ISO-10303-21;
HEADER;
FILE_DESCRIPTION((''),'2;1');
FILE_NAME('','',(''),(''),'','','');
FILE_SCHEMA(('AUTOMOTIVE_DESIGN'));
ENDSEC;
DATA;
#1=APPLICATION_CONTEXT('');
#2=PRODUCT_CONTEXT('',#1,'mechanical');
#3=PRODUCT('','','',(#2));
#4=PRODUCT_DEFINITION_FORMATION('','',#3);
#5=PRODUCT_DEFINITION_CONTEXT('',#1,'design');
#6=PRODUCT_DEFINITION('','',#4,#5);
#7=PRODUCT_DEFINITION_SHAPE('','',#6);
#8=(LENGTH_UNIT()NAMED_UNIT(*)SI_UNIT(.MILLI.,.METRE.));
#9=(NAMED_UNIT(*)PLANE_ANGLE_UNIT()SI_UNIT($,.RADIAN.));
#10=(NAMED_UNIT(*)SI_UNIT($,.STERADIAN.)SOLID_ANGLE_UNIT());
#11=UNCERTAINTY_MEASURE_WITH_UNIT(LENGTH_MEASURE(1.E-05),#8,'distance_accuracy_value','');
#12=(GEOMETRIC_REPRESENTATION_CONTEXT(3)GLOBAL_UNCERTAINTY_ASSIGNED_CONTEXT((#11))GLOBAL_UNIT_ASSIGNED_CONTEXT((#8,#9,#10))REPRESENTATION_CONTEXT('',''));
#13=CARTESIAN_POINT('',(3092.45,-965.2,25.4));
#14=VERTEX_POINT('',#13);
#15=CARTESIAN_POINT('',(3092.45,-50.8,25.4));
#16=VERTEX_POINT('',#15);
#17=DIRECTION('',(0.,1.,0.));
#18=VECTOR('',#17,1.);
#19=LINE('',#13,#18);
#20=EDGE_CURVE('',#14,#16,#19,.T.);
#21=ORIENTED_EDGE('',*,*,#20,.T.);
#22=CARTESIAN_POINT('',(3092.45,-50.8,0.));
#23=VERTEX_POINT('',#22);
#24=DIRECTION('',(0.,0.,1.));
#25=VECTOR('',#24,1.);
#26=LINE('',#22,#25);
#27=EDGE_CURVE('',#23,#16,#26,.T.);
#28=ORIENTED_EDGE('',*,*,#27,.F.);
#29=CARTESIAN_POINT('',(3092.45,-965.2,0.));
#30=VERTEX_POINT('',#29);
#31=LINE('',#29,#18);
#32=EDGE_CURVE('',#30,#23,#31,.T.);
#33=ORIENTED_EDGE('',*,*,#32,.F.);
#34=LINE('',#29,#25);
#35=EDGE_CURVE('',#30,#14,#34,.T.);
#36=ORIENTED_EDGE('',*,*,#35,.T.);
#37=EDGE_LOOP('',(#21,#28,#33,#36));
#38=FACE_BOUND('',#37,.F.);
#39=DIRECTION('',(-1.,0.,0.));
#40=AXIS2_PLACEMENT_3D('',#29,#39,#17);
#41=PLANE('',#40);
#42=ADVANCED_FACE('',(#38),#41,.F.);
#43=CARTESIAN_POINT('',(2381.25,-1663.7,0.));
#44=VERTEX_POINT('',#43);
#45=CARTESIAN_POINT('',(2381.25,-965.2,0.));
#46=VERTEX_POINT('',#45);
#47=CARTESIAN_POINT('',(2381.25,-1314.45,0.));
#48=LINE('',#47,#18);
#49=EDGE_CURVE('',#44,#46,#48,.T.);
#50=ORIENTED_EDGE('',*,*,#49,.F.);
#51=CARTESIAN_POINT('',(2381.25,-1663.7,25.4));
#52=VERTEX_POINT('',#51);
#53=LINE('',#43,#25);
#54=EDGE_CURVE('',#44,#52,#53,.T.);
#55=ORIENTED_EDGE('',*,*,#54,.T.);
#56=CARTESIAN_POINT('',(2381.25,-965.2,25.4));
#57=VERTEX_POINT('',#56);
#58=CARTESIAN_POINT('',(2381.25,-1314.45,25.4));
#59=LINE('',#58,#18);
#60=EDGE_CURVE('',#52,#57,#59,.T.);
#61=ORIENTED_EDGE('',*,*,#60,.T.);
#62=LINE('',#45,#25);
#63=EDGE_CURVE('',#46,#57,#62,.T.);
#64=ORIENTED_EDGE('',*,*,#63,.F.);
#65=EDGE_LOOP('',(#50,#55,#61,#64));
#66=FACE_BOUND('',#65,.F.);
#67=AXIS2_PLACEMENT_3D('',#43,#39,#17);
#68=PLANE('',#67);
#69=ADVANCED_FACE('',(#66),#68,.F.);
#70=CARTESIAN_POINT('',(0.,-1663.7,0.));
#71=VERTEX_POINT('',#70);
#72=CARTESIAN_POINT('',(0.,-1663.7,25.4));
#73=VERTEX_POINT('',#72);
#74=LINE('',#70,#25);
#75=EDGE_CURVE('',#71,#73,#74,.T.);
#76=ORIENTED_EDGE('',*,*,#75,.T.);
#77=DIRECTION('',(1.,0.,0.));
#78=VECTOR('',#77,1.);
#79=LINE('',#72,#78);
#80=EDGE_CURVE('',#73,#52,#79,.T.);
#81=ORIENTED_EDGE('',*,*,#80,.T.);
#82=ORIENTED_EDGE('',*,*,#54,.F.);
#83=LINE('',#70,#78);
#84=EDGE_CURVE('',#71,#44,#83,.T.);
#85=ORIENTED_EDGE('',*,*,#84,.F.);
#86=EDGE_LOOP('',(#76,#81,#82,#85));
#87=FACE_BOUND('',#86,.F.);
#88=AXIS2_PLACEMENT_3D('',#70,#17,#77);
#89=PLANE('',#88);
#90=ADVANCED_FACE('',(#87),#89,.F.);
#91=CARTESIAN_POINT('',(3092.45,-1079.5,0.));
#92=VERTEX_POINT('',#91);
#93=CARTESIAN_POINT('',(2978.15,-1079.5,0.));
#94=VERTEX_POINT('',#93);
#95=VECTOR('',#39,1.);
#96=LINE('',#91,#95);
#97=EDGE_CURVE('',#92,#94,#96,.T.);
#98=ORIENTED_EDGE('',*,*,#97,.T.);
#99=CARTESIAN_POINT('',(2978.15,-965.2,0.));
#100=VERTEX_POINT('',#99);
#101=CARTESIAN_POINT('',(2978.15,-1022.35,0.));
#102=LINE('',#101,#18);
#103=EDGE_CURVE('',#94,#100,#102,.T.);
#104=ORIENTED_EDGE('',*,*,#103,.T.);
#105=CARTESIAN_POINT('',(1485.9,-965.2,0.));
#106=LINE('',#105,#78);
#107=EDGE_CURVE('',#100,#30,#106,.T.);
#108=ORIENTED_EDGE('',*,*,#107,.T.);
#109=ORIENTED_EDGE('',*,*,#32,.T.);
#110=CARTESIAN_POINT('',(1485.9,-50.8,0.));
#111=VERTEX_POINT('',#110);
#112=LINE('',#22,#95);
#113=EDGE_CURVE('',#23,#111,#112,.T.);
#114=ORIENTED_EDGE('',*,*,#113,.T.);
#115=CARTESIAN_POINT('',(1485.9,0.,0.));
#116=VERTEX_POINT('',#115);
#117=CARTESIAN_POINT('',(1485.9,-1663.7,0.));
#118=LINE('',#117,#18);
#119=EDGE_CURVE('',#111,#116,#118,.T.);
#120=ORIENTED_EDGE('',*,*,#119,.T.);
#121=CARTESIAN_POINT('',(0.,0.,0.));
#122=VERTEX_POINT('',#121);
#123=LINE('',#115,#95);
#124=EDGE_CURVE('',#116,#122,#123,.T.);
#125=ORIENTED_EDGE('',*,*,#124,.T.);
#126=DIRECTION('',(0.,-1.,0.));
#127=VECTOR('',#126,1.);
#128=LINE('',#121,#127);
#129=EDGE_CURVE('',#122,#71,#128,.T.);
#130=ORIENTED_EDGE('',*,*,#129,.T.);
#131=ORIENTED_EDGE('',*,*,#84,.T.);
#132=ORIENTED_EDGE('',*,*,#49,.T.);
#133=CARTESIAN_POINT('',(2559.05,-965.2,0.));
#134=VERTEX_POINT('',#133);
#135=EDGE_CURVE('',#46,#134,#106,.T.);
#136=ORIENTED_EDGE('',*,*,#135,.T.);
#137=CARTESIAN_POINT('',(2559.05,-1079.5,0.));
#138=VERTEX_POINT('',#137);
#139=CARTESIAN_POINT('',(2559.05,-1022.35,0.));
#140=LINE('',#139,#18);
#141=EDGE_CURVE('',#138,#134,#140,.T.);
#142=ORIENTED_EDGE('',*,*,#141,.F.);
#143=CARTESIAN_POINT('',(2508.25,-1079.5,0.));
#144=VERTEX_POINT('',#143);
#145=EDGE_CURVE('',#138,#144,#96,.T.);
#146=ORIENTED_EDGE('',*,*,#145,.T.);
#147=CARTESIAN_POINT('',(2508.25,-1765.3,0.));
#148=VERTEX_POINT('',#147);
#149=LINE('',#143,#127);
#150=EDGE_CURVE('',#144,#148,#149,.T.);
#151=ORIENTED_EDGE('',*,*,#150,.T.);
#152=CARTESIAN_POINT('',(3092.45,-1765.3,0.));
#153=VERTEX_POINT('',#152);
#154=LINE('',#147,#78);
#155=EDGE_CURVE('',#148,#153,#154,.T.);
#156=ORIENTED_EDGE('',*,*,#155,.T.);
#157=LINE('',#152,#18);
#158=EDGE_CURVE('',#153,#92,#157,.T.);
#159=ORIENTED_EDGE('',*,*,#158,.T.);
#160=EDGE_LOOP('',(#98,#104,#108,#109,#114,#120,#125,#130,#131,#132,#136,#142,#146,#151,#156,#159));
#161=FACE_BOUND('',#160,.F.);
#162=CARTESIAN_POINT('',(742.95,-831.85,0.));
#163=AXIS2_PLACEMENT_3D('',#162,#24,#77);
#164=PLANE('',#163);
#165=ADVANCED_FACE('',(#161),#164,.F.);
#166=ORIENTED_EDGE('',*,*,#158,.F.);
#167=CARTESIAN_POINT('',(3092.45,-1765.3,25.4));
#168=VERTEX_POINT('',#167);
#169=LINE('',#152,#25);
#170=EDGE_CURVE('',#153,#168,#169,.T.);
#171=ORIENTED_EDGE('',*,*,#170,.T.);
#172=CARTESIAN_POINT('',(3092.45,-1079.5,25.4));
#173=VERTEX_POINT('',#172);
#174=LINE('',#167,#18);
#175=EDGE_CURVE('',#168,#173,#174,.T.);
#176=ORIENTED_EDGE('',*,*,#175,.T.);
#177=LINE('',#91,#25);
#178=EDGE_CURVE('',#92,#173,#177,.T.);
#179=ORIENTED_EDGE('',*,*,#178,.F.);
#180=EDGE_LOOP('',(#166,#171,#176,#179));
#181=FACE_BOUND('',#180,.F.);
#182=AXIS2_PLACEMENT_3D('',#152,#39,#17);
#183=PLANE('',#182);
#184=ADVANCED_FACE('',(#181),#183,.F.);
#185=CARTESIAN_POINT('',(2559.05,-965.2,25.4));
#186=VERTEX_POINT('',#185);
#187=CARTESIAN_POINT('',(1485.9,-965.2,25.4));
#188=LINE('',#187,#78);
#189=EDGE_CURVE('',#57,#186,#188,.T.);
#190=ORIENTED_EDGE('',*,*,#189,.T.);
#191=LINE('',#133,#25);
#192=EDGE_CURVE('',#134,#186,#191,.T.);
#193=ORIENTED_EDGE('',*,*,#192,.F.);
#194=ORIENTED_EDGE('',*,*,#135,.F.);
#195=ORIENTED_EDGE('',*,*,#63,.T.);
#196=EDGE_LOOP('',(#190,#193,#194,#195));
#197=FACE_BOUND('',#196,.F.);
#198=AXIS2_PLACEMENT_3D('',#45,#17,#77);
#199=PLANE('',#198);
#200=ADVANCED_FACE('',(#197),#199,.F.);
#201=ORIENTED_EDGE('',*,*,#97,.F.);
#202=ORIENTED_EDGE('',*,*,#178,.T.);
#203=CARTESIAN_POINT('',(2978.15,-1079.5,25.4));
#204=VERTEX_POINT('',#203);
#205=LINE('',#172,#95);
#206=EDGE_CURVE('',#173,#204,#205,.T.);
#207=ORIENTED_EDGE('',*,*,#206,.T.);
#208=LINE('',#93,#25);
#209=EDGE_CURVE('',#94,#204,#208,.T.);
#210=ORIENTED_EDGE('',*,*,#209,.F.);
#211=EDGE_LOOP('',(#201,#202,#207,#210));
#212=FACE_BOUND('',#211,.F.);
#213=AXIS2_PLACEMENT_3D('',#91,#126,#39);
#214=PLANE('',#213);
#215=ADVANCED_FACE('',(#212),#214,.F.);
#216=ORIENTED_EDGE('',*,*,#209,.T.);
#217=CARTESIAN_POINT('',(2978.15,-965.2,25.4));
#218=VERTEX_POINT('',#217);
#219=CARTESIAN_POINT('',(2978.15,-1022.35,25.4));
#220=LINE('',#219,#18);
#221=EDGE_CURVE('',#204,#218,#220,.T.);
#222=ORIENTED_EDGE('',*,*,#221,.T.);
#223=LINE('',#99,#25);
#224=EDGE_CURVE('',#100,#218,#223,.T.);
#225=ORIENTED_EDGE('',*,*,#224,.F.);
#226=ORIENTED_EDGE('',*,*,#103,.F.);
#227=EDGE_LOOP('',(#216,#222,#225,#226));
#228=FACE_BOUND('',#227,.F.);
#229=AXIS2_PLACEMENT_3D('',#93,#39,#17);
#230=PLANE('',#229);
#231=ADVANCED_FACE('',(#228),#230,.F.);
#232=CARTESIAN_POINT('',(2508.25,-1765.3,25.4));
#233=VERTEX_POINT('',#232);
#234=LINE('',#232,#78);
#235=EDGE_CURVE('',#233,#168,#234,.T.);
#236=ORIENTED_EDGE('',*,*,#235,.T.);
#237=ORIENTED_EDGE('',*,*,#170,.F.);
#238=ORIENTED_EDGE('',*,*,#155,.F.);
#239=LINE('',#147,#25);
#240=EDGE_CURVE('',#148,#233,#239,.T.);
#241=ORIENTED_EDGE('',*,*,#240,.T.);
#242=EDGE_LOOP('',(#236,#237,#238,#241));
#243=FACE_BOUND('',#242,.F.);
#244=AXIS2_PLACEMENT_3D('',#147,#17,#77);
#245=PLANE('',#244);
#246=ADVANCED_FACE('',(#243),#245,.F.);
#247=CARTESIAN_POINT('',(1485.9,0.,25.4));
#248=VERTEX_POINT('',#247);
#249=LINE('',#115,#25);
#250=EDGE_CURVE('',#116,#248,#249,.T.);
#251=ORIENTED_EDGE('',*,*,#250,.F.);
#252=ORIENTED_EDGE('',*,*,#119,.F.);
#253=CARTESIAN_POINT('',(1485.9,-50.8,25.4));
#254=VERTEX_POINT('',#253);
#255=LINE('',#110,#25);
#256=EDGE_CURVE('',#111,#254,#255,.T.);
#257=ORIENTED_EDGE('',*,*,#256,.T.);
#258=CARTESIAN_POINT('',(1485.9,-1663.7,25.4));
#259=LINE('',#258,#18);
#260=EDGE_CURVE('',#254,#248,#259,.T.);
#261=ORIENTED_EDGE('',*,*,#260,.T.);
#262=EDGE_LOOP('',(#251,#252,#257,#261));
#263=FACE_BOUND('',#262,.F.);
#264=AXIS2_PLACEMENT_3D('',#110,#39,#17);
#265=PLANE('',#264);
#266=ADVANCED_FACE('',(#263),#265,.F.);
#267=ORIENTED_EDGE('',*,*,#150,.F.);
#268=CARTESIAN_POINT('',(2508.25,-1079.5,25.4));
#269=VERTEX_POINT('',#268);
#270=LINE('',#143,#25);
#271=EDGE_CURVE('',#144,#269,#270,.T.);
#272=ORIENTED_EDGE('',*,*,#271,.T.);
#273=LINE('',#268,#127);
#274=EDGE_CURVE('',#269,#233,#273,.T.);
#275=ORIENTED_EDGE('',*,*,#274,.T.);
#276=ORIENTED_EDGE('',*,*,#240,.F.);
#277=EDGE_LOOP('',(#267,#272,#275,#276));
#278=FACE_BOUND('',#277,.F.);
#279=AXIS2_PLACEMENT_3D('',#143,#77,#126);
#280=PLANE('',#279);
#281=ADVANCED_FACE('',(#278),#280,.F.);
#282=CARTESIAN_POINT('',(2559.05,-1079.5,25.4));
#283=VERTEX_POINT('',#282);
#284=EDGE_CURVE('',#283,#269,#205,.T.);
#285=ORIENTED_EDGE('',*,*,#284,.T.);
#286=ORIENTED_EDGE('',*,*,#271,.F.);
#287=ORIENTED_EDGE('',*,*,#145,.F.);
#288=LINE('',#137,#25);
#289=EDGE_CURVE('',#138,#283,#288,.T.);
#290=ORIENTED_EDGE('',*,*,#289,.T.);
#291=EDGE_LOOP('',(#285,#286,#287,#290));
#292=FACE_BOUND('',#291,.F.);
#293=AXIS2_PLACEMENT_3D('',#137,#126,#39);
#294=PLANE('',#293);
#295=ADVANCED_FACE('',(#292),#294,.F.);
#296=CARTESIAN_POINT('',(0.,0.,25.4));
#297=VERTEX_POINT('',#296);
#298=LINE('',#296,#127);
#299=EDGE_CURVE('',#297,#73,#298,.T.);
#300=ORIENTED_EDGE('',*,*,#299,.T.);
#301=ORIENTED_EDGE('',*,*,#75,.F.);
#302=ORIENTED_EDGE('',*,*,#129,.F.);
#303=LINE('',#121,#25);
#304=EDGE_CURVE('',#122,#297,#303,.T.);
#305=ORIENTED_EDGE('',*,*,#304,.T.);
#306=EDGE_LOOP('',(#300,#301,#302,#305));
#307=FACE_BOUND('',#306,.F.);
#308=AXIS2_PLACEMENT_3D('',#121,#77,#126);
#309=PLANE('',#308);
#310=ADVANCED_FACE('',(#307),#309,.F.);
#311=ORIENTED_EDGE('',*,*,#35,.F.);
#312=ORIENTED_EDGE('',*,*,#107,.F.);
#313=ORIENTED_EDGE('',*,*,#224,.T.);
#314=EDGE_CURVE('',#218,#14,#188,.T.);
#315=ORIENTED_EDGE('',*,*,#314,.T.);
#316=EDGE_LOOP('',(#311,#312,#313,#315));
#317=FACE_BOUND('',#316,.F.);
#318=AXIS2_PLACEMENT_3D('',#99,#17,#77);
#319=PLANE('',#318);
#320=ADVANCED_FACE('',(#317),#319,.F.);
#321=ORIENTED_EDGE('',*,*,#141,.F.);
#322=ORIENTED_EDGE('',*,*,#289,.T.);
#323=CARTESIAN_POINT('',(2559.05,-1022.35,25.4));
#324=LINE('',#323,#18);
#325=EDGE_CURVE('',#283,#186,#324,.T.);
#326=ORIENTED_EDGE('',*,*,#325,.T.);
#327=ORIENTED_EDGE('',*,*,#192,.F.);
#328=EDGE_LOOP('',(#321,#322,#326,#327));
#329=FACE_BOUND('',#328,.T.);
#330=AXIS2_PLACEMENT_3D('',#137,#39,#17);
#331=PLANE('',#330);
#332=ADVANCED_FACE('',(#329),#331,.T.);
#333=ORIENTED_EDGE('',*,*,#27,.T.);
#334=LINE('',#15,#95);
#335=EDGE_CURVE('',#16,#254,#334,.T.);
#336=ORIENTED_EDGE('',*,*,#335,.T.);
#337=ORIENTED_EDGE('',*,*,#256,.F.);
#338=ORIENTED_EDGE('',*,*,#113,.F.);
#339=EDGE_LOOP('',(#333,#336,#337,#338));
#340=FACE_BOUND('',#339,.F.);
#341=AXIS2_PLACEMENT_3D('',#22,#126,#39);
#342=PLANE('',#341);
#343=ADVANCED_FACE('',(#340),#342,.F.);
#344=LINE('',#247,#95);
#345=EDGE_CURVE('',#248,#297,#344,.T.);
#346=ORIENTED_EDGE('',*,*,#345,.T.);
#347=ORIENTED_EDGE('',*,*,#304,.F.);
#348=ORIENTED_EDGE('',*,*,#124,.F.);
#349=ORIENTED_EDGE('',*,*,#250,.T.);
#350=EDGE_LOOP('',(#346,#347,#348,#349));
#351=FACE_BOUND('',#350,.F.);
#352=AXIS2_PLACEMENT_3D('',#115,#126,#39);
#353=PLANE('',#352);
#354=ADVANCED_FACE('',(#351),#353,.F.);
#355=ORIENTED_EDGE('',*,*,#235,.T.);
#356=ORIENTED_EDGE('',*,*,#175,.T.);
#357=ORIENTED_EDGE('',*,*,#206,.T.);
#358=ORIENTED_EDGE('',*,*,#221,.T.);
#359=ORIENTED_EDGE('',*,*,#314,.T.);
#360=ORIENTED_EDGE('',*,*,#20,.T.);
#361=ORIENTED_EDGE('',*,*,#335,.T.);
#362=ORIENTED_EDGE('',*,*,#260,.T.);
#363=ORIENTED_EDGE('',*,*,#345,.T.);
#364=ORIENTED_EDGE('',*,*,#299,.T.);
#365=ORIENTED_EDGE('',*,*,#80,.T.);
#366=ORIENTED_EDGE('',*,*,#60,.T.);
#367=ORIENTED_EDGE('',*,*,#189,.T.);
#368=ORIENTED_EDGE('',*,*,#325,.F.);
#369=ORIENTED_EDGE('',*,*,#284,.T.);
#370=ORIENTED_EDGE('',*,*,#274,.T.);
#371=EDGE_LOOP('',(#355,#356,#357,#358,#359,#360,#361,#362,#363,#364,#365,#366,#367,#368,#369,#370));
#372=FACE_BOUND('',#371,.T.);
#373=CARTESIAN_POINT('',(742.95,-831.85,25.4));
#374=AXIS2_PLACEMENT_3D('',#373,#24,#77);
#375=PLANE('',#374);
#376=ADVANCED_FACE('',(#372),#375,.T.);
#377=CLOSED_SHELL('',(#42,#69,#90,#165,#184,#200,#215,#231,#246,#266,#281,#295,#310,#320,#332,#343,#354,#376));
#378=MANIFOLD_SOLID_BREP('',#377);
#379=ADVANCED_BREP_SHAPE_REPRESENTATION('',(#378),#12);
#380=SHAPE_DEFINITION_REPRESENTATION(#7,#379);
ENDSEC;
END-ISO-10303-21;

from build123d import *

# Parameters (mm, degrees)
F0_W     = 895.35
F0_H     = 698.5
F0_W_2   = 419.1
F0_H_2   = 114.3
F1_DEPTH = 25.4


with BuildPart() as f1:
    # F0 (on Top) → F1 (new body)
    with BuildSketch(Plane.XY):
        Polygon((1485.9, 0), (0, 0), (0, -1663.7), (1485.9, -1663.7), (1485.9, -965.2), (1485.9, -50.8), align=None)
        Polygon((3092.45, -50.8), (1485.9, -50.8), (1485.9, -965.2), (2381.25, -965.2), (2559.05, -965.2), (2978.15, -965.2), (3092.45, -965.2), align=None)
        with Locations((1933.575, -1314.45)):
            Rectangle(F0_W, F0_H)
        Polygon((2978.15, -1079.5), (2559.05, -1079.5), (2508.25, -1079.5), (2508.25, -1765.3), (3092.45, -1765.3), (3092.45, -1079.5), align=None)
        with Locations((2768.6, -1022.35)):
            Rectangle(F0_W_2, F0_H_2)
    extrude(amount=F1_DEPTH)


solid = f1.part
